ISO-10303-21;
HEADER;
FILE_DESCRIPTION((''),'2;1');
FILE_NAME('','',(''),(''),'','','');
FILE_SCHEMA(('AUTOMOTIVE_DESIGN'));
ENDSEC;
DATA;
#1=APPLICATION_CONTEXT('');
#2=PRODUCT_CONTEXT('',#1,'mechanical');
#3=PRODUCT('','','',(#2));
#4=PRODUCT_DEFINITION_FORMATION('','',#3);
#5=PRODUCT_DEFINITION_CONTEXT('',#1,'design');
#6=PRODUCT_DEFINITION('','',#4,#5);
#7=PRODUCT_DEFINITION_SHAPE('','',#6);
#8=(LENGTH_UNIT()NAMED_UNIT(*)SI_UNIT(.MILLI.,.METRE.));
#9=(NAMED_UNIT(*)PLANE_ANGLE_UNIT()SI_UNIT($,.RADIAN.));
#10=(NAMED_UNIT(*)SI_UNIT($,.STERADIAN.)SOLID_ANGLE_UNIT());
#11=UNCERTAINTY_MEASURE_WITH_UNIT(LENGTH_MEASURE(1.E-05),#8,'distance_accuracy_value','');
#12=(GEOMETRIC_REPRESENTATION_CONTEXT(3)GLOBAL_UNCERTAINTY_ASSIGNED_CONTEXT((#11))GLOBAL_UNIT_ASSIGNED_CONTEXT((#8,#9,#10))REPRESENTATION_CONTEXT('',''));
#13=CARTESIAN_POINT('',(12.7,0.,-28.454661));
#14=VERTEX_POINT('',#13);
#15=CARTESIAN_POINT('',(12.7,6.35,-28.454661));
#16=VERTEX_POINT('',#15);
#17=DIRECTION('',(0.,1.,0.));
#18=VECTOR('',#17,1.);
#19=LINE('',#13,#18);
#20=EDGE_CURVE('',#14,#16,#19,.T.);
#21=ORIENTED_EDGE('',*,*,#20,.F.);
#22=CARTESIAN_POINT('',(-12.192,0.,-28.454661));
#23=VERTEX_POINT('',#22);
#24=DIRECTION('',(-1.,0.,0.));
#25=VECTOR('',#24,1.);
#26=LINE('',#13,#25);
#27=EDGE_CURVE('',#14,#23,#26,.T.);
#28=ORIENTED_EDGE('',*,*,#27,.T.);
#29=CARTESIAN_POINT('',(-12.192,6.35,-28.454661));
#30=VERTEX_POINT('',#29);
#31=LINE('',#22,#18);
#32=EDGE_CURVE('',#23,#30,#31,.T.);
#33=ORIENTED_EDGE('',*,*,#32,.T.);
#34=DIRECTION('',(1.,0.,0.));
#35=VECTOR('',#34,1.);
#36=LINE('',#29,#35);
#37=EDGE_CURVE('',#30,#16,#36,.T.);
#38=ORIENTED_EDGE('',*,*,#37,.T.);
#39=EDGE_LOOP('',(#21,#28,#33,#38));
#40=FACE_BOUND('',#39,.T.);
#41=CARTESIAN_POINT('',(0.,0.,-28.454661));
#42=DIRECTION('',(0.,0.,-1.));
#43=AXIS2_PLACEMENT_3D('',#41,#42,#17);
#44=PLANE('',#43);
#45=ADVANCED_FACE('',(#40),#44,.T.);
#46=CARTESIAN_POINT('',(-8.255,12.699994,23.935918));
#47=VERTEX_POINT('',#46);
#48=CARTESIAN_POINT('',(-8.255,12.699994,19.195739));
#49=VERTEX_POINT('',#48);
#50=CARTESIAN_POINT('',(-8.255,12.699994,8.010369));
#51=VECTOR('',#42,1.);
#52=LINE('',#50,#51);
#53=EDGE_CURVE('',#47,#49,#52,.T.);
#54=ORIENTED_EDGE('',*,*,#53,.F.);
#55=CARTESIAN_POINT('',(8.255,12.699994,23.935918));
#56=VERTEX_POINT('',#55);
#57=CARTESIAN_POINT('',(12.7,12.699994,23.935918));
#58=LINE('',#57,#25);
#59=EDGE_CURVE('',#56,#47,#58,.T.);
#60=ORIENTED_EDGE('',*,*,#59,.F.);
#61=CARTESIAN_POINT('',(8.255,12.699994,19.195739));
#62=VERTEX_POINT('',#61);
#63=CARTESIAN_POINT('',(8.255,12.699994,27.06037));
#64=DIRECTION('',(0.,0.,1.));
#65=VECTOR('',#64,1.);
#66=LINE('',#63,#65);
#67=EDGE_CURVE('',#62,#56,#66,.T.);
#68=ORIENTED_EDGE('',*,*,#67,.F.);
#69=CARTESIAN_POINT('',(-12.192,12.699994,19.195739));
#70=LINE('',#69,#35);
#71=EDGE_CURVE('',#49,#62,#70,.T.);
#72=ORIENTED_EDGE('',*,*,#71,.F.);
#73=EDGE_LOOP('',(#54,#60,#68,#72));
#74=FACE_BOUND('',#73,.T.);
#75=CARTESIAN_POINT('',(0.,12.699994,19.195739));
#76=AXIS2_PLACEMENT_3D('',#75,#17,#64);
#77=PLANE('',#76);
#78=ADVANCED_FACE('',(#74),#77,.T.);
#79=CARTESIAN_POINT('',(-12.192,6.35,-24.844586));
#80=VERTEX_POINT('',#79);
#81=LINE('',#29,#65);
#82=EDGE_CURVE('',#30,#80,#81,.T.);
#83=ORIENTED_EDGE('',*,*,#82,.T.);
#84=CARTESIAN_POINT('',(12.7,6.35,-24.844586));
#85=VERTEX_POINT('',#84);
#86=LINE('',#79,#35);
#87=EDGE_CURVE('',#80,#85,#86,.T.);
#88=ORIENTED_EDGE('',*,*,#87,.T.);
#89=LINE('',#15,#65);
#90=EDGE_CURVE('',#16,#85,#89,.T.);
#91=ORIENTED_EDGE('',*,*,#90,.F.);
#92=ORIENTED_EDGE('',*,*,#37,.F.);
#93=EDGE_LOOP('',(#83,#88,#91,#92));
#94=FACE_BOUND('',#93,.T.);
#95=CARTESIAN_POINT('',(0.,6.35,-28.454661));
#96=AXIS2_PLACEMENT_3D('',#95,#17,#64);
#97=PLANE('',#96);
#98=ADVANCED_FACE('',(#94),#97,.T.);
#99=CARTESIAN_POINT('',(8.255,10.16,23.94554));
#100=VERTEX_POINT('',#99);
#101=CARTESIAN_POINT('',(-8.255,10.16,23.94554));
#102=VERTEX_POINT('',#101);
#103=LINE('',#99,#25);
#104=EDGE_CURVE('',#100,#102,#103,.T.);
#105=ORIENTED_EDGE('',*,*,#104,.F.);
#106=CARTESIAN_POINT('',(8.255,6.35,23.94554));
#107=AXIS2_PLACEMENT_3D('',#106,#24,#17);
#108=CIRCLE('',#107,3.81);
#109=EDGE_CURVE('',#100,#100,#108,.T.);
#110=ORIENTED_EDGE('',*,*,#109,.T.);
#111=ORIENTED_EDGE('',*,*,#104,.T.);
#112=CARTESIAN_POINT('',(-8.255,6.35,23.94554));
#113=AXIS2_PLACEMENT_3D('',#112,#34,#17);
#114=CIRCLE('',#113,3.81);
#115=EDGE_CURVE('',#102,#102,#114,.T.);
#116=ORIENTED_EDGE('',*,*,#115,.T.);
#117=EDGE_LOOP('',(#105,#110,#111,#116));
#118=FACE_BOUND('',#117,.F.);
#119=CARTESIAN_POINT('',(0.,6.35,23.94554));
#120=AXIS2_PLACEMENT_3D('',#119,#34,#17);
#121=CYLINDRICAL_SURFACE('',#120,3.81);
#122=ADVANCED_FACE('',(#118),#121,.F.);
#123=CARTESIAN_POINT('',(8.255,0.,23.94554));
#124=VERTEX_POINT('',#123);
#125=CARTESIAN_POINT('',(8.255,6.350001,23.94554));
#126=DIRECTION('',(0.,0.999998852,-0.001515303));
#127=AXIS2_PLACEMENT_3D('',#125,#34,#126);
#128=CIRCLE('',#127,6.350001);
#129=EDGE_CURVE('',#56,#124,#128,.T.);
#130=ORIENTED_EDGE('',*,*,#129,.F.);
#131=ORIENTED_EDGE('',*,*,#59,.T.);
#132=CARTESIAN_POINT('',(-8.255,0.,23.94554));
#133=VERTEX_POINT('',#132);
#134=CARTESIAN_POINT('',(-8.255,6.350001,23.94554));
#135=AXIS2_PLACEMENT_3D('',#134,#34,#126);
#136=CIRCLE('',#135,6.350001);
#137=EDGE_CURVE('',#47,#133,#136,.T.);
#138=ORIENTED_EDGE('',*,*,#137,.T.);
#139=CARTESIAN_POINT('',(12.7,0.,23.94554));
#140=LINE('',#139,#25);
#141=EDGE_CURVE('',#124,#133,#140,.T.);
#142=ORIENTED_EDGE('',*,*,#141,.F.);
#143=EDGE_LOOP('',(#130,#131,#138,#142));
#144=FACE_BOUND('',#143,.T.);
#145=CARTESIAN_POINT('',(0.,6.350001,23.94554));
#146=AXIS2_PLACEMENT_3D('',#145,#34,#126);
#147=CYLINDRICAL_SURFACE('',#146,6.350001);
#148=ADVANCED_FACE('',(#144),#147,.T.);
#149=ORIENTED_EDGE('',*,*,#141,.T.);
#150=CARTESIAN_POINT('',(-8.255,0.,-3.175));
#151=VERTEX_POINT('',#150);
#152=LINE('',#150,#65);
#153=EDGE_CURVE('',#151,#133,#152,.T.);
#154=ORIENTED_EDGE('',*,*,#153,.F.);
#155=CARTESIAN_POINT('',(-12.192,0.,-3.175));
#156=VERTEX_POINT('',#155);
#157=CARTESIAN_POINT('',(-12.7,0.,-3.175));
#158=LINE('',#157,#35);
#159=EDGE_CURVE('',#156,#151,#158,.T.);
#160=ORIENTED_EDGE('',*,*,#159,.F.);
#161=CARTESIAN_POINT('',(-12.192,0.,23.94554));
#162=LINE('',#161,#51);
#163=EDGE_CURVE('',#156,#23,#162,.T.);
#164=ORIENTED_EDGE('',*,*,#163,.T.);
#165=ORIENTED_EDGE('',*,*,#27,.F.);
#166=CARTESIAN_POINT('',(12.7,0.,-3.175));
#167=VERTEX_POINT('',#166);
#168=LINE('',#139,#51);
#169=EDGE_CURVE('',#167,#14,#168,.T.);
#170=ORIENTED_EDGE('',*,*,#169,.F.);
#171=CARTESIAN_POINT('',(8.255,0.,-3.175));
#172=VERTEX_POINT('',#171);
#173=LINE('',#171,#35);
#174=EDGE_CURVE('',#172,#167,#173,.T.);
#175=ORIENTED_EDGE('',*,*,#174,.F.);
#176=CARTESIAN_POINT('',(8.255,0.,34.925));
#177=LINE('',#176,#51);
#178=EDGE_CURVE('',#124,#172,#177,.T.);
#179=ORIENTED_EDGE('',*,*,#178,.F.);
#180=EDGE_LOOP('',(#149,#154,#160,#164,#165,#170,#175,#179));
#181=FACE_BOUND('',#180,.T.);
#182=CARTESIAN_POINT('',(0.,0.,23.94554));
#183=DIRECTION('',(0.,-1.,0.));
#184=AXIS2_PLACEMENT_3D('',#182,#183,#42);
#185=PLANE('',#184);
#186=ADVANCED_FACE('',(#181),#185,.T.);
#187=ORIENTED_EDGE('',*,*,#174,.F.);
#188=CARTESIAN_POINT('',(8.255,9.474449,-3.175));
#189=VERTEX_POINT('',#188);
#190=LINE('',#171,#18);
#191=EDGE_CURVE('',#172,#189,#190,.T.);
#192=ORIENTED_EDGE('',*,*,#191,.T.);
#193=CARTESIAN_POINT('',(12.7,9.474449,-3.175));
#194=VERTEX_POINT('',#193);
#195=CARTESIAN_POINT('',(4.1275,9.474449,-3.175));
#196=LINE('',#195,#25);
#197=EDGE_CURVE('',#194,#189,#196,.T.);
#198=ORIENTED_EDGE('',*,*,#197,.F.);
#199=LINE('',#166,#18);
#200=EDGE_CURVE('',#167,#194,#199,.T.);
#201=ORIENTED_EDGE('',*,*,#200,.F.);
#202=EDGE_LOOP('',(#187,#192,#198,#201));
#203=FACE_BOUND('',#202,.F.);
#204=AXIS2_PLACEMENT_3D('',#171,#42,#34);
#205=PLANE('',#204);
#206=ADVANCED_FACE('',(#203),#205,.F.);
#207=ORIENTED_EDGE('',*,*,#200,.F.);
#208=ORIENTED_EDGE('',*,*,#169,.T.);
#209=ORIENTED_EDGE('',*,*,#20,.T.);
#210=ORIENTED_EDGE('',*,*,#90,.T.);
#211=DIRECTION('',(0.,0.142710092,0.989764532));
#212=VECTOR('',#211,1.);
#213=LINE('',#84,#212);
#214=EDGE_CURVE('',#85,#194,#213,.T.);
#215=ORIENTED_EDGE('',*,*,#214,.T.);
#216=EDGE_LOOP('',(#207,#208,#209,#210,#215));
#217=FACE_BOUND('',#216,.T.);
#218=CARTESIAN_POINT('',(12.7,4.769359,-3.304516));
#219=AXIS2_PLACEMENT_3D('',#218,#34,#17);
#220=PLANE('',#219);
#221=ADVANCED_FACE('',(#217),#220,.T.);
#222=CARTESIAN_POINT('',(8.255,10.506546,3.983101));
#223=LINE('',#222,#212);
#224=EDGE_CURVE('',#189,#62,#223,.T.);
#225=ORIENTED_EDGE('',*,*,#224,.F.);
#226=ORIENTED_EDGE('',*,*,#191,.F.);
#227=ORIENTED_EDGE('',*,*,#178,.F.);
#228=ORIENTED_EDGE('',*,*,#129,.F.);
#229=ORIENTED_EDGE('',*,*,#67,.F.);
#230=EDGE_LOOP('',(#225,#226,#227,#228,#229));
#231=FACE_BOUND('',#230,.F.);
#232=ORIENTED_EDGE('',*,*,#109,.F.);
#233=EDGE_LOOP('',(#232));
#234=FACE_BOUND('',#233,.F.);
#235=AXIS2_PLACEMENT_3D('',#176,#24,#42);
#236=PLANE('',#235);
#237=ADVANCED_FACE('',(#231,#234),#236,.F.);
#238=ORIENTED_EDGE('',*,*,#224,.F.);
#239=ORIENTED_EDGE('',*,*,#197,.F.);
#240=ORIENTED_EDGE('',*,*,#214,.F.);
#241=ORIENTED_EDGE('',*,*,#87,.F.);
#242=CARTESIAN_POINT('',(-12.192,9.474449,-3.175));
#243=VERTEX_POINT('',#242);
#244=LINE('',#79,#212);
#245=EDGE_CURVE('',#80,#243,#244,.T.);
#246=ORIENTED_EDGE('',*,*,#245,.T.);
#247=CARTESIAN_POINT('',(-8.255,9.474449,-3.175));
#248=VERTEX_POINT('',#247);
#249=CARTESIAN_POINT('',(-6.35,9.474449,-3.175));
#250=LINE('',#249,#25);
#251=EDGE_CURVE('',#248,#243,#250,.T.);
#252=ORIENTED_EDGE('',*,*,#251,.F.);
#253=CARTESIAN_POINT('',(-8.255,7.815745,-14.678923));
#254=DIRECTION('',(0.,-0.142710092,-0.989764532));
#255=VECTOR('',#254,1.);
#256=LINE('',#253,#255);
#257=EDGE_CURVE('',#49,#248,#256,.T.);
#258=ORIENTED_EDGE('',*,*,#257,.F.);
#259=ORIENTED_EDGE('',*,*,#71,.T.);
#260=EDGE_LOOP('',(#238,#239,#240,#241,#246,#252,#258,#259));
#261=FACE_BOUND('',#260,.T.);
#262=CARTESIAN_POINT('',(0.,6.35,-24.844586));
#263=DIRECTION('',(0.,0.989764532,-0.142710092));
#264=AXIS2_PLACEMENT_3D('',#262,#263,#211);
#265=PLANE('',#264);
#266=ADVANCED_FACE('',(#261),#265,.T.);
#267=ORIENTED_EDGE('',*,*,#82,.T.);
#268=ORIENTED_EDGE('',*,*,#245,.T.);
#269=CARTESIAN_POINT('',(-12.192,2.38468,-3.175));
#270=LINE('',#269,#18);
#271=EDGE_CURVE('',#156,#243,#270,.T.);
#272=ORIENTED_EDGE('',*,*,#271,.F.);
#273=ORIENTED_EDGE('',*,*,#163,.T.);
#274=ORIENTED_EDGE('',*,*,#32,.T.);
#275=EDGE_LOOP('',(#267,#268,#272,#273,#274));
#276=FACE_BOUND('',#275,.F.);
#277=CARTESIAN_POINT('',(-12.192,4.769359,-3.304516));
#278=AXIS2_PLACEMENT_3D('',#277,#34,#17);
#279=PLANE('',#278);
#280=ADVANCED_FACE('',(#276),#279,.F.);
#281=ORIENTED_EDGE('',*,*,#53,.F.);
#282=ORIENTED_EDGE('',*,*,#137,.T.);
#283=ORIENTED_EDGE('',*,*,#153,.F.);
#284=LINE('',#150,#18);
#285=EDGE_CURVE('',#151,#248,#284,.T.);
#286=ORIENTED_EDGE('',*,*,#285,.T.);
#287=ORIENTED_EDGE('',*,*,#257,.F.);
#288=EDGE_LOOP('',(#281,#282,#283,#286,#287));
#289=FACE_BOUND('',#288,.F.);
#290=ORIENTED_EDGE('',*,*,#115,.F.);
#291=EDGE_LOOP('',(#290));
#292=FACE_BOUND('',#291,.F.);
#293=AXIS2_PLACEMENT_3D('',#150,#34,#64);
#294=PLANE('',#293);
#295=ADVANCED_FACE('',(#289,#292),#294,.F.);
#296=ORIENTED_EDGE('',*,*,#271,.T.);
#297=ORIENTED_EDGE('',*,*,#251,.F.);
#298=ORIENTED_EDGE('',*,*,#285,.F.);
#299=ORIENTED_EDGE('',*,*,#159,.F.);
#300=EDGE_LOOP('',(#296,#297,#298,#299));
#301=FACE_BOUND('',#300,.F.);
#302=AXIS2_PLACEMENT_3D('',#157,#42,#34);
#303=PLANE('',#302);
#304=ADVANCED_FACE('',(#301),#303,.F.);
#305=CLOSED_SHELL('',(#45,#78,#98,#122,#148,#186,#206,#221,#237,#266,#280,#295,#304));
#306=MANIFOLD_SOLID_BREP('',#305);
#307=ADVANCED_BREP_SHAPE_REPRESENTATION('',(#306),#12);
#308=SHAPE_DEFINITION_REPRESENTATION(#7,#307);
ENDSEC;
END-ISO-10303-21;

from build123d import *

# Parameters (mm, degrees)
F1_R          = 3.81
F2_DEPTH      = 12.7
F2_DEPTH_BACK = 12.192
F3_DEPTH      = 127


with BuildPart() as f2:
    # F1 (on Right) → F2 (new body, two sides)
    with BuildSketch(Plane.YZ) as f2_sk:
        Polygon((0, 19.195739), (0, -3.054661), (0, -28.454661), (6.35, -28.454661), (6.35, -24.844586), (12.699994, 19.195739), align=None)
        with BuildLine():
            Line((0, 23.94554), (0, 19.195739))
            Line((0, 19.195739), (12.699994, 19.195739))
            Line((12.699994, 19.195739), (12.699994, 23.935918))
            ThreePointArc((12.699994, 23.935918), (6.354811, 30.295539), (0, 23.94554))
        make_face()
        with Locations((6.35, 23.94554)):
            Circle(F1_R, mode=Mode.SUBTRACT)
    extrude(amount=F2_DEPTH)
    extrude(f2_sk.sketch, amount=-F2_DEPTH_BACK)

    # F0 (on Front) → F3 (cut)
    with BuildSketch(Plane.XZ):
        Polygon((-12.7, 34.925), (-12.7, -3.175), (-8.255, -3.175), (-8.255, 28.575), (-8.255, 34.925), align=None)
        Polygon((8.255, -3.175), (12.7, -3.175), (12.7, 34.925), (8.255, 34.925), (8.255, 28.575), align=None)
    extrude(amount=-F3_DEPTH, mode=Mode.SUBTRACT)


solid = f2.part
